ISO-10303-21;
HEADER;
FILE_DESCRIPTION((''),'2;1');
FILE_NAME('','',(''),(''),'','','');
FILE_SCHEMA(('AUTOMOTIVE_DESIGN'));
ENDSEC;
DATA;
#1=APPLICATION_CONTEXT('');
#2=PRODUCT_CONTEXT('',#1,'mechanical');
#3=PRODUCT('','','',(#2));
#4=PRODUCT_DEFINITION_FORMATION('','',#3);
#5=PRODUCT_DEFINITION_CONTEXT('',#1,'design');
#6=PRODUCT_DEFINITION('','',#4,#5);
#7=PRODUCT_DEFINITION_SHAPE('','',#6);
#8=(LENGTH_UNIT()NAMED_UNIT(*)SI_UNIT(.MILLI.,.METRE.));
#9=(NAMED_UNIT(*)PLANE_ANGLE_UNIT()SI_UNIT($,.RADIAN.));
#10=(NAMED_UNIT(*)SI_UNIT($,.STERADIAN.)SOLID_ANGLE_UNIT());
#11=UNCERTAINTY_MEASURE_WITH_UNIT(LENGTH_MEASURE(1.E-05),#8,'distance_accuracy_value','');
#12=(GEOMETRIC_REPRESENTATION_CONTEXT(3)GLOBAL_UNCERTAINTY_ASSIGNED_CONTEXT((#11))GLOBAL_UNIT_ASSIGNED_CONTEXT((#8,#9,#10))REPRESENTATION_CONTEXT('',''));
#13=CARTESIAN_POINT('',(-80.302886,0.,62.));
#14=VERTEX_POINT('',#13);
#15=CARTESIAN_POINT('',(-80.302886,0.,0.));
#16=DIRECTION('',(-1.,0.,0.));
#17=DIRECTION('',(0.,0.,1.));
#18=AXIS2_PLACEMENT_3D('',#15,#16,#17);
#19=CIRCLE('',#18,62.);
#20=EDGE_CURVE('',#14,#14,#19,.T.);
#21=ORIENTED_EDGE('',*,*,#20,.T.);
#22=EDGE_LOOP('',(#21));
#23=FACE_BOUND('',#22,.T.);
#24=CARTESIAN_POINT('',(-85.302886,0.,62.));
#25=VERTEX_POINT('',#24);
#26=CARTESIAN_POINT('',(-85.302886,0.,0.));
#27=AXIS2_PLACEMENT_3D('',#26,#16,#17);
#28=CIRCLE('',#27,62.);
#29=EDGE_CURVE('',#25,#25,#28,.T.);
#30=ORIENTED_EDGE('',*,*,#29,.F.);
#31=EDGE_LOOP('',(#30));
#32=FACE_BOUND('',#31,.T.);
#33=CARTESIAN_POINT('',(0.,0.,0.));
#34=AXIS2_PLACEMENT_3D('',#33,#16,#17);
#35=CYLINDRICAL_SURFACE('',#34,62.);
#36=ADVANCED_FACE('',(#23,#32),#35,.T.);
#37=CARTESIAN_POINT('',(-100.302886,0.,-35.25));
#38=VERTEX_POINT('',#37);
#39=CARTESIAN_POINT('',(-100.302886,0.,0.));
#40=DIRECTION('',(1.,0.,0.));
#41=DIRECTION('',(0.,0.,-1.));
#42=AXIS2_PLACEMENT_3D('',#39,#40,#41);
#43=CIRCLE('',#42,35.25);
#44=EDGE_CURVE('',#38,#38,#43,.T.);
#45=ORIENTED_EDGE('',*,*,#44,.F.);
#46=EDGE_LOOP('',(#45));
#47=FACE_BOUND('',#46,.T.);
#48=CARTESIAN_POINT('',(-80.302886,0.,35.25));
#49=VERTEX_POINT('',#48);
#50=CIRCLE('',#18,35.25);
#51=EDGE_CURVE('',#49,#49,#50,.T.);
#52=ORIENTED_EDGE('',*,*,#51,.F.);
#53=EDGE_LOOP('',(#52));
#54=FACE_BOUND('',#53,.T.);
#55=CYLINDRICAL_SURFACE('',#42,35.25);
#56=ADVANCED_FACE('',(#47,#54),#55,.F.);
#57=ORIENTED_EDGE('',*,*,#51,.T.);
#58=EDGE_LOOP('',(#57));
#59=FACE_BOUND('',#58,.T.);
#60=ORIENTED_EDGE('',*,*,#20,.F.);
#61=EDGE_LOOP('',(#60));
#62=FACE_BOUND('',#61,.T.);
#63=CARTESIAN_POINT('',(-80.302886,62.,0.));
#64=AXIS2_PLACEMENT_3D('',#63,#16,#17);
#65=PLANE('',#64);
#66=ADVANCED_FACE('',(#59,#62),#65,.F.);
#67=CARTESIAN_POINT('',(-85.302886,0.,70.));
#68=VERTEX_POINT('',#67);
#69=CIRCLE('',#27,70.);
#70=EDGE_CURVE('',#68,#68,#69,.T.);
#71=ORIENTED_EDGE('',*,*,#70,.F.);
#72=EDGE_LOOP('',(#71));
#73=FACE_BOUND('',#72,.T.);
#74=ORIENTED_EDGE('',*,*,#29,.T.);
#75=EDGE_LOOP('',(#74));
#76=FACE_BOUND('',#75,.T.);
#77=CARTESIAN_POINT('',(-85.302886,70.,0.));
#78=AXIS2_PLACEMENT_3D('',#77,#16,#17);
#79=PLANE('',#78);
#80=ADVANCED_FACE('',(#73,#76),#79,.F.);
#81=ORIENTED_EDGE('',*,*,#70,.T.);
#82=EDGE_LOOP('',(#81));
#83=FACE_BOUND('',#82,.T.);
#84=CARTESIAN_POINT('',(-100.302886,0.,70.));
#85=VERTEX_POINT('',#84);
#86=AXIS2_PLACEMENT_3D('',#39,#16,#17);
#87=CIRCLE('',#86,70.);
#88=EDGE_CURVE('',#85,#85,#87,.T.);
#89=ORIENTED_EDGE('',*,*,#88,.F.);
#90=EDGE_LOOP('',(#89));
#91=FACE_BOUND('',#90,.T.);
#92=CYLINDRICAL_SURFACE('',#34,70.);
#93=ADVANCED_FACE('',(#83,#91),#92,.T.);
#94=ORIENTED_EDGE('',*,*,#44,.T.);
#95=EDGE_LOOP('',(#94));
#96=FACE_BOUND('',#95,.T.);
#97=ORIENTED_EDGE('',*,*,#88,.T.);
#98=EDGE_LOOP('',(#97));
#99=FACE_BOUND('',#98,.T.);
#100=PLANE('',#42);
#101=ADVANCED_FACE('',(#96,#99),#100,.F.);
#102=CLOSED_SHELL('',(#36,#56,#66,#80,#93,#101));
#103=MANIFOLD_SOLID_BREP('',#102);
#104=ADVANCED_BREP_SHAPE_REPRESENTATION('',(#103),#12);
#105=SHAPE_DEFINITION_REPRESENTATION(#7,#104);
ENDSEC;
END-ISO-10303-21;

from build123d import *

# Parameters (mm, degrees)
WYTNIJ_WYCI_GNI_CIE1_DEPTH      = 101.995049384
WYTNIJ_WYCI_GNI_CIE1_DEPTH_BACK = 101.995049384
SZKIC2_R                        = 35.25


with BuildPart() as part:
    # Szkic1 → Obrót1 (revolve)
    with BuildSketch(Plane.XY, mode=Mode.PRIVATE) as obr_t1_sk:
        Polygon((-100.302885934, 0), (-100.302885934, 70), (-85.302885934, 70), (-85.302885934, 62), (-80.302885934, 62), (-80.302885934, 0), align=None)
    revolve(obr_t1_sk.sketch.rotate(Axis((0, 0, 0), (1, 0, 0)), 90), axis=Axis((0, 0, 0), (1, 0, 0)))

    # Szkic2 → Wytnij-wyciągnięcie1 (cut, two sides: drawn at the far end of the back side and taken through both)
    with BuildSketch(Plane(origin=(-80.302885934, 0, 0), x_dir=(0, 0, -1), z_dir=(1, 0, 0)).offset(-WYTNIJ_WYCI_GNI_CIE1_DEPTH_BACK)):
        Circle(SZKIC2_R)
    extrude(amount=WYTNIJ_WYCI_GNI_CIE1_DEPTH + WYTNIJ_WYCI_GNI_CIE1_DEPTH_BACK, mode=Mode.SUBTRACT)


solid = part.part
